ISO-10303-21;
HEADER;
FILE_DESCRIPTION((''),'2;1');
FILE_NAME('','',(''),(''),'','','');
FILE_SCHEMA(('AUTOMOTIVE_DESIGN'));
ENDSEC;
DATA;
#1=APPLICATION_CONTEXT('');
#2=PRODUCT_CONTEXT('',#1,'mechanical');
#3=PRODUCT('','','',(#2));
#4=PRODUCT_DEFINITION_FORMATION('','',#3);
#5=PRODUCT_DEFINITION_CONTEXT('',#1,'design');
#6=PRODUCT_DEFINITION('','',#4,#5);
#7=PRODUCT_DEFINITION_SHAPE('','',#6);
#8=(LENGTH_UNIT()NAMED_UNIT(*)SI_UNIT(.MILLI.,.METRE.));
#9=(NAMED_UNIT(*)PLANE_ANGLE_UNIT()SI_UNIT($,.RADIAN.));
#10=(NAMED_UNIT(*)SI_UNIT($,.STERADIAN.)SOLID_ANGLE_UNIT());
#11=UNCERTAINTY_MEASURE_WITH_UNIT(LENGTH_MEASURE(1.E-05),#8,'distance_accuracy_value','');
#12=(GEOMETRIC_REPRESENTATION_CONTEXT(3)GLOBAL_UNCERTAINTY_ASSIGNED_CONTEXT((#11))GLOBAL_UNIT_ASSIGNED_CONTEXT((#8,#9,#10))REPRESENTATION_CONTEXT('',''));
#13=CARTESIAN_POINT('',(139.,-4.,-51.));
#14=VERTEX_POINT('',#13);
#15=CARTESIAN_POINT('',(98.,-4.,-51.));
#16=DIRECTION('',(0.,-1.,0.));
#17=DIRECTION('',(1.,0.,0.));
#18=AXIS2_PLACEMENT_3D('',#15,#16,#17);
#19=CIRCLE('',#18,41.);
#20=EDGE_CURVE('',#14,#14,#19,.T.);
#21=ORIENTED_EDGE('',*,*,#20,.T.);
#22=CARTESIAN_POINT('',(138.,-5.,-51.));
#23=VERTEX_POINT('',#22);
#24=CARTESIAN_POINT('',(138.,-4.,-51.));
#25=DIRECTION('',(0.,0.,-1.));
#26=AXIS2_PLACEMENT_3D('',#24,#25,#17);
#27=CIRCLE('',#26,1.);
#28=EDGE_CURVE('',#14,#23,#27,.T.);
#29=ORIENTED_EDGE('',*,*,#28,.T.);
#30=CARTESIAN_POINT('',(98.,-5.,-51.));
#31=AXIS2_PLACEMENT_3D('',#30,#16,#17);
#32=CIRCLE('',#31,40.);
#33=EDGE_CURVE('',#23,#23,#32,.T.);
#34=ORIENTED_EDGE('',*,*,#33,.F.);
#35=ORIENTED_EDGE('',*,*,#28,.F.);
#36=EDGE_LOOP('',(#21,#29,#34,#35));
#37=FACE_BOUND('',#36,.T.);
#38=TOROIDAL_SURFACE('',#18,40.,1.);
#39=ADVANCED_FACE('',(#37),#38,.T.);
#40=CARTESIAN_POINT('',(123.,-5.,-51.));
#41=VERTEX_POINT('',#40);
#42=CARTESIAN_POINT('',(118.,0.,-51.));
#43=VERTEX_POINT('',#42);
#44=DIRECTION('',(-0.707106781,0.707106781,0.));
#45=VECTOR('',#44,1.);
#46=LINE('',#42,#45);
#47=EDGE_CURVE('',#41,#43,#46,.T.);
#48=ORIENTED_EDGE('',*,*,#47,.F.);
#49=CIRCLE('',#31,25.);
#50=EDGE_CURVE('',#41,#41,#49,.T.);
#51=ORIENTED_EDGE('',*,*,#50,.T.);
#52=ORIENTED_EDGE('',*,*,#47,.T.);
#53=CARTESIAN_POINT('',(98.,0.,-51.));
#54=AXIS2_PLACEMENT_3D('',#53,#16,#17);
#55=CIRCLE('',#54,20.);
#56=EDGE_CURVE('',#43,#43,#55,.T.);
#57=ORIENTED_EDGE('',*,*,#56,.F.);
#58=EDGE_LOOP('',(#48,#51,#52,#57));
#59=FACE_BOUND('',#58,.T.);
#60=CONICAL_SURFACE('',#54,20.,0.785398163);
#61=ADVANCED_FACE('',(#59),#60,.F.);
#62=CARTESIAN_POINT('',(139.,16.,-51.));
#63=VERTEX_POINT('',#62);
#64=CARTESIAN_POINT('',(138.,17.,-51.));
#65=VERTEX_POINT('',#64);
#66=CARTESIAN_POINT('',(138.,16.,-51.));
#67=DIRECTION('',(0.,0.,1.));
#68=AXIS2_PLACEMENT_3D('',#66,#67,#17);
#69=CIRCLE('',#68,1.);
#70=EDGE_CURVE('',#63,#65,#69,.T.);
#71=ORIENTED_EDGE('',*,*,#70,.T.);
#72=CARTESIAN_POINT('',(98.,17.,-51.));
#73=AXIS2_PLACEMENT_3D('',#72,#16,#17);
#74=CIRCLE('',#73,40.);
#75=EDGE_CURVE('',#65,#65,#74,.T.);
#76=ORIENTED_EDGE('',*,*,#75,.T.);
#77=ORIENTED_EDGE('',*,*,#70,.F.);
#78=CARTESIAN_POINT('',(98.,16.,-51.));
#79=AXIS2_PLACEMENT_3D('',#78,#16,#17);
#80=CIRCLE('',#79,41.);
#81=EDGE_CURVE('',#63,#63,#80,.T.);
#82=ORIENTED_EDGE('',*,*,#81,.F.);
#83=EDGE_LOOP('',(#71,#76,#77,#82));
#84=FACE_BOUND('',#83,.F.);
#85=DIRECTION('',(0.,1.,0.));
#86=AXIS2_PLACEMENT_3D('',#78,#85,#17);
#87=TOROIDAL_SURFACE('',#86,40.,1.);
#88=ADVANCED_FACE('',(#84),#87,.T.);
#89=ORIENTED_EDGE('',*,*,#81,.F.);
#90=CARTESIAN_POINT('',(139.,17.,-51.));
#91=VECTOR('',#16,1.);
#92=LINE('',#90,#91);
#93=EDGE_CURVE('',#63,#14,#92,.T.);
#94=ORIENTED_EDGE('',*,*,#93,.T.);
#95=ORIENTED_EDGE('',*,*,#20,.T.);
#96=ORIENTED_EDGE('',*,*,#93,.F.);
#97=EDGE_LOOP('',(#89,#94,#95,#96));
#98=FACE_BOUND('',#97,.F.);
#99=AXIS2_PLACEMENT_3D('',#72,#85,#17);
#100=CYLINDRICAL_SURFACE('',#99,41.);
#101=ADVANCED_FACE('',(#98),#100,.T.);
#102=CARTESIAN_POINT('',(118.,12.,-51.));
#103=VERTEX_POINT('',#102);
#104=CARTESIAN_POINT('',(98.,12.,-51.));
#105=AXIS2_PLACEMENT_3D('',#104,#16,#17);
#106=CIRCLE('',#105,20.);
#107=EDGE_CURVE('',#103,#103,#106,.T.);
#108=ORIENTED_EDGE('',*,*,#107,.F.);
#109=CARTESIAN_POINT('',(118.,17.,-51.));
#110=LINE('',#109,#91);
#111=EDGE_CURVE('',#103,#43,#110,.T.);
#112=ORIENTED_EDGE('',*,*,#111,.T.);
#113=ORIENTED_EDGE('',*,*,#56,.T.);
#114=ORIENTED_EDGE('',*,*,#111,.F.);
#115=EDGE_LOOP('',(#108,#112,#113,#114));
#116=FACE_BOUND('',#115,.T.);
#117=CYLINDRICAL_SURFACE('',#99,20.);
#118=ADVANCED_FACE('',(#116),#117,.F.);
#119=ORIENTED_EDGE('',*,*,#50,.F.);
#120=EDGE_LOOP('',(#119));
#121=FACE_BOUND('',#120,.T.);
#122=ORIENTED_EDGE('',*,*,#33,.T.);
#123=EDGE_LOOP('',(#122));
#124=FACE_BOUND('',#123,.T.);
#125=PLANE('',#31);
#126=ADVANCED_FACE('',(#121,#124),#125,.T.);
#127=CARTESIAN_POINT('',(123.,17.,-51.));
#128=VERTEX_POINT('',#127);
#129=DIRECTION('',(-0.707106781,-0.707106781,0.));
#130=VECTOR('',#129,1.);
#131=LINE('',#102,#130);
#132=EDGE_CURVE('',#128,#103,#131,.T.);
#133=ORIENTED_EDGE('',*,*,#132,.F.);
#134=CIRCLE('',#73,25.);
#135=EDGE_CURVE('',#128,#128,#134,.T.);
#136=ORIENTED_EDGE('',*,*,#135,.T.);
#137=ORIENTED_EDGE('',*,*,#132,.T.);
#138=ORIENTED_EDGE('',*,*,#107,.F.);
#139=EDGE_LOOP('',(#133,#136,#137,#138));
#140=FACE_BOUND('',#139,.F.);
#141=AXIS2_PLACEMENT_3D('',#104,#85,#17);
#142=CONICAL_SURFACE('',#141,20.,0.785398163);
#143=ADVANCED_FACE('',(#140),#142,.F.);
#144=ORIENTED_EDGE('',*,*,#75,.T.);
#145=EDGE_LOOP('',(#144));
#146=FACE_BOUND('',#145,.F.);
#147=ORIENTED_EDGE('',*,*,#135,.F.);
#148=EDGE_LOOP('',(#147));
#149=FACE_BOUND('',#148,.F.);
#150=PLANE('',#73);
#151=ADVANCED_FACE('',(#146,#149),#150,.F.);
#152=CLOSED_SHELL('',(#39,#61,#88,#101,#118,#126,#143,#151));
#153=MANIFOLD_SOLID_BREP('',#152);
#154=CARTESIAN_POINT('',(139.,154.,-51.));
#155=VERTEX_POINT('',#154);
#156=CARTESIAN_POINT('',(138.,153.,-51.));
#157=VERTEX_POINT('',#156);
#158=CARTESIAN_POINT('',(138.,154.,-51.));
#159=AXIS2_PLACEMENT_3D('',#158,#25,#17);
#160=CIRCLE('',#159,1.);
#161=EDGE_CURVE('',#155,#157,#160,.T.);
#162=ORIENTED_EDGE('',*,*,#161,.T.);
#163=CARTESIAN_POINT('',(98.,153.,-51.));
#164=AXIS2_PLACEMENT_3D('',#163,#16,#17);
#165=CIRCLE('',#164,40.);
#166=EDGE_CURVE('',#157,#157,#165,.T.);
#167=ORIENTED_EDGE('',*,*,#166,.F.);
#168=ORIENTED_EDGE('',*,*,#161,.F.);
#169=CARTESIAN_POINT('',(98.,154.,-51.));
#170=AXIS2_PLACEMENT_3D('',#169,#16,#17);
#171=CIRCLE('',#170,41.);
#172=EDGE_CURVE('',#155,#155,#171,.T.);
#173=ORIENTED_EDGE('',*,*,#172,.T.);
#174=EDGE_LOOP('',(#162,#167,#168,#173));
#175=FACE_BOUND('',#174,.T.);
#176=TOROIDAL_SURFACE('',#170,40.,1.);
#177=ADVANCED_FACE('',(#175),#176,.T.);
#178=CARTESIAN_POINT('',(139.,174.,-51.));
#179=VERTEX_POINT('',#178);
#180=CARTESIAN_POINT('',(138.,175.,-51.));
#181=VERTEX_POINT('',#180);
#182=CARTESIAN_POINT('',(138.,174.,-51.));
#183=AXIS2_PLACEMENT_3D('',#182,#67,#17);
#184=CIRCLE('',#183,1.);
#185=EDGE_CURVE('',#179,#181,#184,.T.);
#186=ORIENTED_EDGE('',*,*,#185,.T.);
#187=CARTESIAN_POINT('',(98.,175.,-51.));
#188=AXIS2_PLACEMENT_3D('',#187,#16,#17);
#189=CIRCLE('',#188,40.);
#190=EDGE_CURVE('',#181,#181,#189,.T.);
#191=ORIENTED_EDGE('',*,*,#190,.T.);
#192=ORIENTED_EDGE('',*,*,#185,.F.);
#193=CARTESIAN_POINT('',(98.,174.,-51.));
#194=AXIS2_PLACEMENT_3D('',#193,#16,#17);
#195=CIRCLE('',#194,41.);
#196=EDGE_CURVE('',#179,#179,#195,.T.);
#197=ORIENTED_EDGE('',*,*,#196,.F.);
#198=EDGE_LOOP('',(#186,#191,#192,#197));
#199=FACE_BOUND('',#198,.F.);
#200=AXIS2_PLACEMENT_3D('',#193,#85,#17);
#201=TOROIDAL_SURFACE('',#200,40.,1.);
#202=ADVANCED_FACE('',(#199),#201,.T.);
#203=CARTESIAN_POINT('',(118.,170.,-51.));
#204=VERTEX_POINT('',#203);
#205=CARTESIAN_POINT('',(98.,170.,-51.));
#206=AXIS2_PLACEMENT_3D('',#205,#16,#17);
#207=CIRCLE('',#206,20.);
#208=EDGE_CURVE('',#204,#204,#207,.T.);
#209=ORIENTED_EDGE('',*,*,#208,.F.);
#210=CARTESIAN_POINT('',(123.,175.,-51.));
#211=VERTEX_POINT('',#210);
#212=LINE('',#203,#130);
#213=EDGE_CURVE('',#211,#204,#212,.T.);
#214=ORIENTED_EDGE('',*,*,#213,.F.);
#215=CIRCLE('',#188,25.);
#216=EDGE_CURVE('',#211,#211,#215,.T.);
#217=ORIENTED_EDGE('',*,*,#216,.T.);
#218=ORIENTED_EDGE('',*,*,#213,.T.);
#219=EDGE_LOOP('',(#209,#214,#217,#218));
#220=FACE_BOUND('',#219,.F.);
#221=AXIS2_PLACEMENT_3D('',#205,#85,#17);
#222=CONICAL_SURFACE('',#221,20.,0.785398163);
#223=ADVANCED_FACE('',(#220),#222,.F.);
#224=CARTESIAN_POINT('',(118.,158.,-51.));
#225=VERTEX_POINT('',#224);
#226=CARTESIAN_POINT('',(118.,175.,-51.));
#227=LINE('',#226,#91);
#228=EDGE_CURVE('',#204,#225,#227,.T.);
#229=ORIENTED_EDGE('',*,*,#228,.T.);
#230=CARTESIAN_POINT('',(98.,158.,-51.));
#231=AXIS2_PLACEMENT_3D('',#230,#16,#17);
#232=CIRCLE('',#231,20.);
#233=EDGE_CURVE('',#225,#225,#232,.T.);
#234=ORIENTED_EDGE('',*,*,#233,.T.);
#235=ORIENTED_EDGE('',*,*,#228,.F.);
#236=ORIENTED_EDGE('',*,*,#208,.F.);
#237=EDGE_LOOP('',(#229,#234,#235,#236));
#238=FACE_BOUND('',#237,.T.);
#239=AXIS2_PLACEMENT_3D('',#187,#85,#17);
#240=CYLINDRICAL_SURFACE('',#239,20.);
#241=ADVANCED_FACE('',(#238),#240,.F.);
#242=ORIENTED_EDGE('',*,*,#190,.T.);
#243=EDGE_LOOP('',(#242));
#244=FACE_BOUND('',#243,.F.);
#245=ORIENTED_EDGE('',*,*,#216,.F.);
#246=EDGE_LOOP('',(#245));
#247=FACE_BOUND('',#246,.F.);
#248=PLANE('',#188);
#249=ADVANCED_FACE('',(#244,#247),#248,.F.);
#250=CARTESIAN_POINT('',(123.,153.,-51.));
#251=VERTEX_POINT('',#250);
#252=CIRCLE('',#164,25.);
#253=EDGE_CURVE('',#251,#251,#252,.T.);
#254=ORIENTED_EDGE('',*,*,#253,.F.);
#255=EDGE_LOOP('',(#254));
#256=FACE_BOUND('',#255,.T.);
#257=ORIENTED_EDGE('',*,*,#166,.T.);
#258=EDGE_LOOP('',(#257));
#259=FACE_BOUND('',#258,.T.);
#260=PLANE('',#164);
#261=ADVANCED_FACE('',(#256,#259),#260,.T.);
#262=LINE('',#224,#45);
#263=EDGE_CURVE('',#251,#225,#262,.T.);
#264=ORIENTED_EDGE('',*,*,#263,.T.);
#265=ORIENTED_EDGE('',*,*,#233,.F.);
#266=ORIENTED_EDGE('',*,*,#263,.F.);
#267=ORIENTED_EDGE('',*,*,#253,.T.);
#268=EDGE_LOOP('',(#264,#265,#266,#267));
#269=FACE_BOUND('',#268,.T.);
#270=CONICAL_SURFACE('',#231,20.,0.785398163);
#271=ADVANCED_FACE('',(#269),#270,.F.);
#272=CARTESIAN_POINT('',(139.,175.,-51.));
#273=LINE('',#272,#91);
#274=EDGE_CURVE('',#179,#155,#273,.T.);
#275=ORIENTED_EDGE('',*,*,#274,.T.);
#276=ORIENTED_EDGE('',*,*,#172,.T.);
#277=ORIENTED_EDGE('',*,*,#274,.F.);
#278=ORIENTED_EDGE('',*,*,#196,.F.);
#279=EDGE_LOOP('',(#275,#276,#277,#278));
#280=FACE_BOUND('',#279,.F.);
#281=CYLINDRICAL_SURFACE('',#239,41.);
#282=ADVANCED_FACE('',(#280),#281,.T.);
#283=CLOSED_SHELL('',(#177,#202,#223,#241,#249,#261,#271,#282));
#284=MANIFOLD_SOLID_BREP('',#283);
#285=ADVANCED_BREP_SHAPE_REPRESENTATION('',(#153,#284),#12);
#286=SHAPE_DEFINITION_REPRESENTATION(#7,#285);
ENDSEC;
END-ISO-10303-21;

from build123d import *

# Parameters (mm, degrees)
CYLINDER279_R          = 20
CYLINDER279_DEPTH      = 22
CYLINDER279_ROLL_ANGLE = 90
CYLINDER278_R          = 41
CYLINDER278_DEPTH      = 22
CYLINDER278_ROLL_ANGLE = 90
FILLET261_R            = 1
CYLINDER277_R          = 20
CYLINDER277_DEPTH      = 22
CYLINDER277_ROLL_ANGLE = 90
CYLINDER276_R          = 41
CYLINDER276_DEPTH      = 22
CYLINDER276_ROLL_ANGLE = 90
FILLET260_R            = 1
CHAMFER057_SIZE        = 5


with BuildPart() as cylinder279:
    # Cylinder279 → Cylinder279 (new body)
    with BuildSketch(Plane.XY):
        Circle(CYLINDER279_R)
    extrude(amount=CYLINDER279_DEPTH)


with BuildPart() as cylinder279_1:
    # Cylinder279 roll: moved
    add(cylinder279.part.rotate(Axis((0, 0, 0), (1, 0, 0)), CYLINDER279_ROLL_ANGLE))


with BuildPart() as cylinder279_2:
    # Cylinder279 placement: moved
    add(cylinder279_1.part)


with BuildPart() as fillet261:
    # Cylinder278 → Cylinder278 (new body)
    with BuildSketch(Plane.XY):
        Circle(CYLINDER278_R)
    extrude(amount=CYLINDER278_DEPTH)


with BuildPart() as fillet261_1:
    # Cylinder278 roll: moved
    add(fillet261.part.rotate(Axis((0, 0, 0), (1, 0, 0)), CYLINDER278_ROLL_ANGLE))


with BuildPart() as fillet261_2:
    # Cylinder278 placement: moved
    add(fillet261_1.part)

    # Cut422: cut Cylinder279
    add(cylinder279_2.part, mode=Mode.SUBTRACT)

    # Fillet261
    fillet261_edges = [fillet261_2.edges().sort_by_distance(p)[0] for p in [
        (-41, -22, 0),
        (-41, 0, 0),
    ]]
    fillet(fillet261_edges, radius=FILLET261_R)


with BuildPart() as fillet261_3:
    # Fillet261 placement: moved
    add(fillet261_2.part.moved(Location((0, 175, 0))))


with BuildPart() as cylinder277:
    # Cylinder277 → Cylinder277 (new body)
    with BuildSketch(Plane.XY):
        Circle(CYLINDER277_R)
    extrude(amount=CYLINDER277_DEPTH)


with BuildPart() as cylinder277_1:
    # Cylinder277 roll: moved
    add(cylinder277.part.rotate(Axis((0, 0, 0), (1, 0, 0)), CYLINDER277_ROLL_ANGLE))


with BuildPart() as cylinder277_2:
    # Cylinder277 placement: moved
    add(cylinder277_1.part)


with BuildPart() as whels_front:
    # Cylinder276 → Cylinder276 (new body)
    with BuildSketch(Plane.XY):
        Circle(CYLINDER276_R)
    extrude(amount=CYLINDER276_DEPTH)


with BuildPart() as whels_front_1:
    # Cylinder276 roll: moved
    add(whels_front.part.rotate(Axis((0, 0, 0), (1, 0, 0)), CYLINDER276_ROLL_ANGLE))


with BuildPart() as whels_front_2:
    # Cylinder276 placement: moved
    add(whels_front_1.part)

    # Cut421: cut Cylinder277
    add(cylinder277_2.part, mode=Mode.SUBTRACT)

    # Fillet260
    fillet260_edges = [whels_front_2.edges().sort_by_distance(p)[0] for p in [
        (-41, -22, 0),
        (-41, 0, 0),
    ]]
    fillet(fillet260_edges, radius=FILLET260_R)


with BuildPart() as whels_front_3:
    # Fillet260 placement: moved
    add(whels_front_2.part.moved(Location((0, 17, 0))))

    # Fusion245: union Fillet261
    add(fillet261_3.part)


with BuildPart() as whels_front_4:
    # Fusion245 placement: moved
    add(whels_front_3.part.moved(Location((98, 0, -51))))

    # Chamfer057
    chamfer057_edges = [whels_front_4.edges().sort_by_distance(p)[0] for p in [
        (78, 17, -51),
        (78, -5, -51),
        (78, 175, -51),
        (78, 153, -51),
    ]]
    chamfer(chamfer057_edges, length=CHAMFER057_SIZE)


solid = whels_front_4.part
